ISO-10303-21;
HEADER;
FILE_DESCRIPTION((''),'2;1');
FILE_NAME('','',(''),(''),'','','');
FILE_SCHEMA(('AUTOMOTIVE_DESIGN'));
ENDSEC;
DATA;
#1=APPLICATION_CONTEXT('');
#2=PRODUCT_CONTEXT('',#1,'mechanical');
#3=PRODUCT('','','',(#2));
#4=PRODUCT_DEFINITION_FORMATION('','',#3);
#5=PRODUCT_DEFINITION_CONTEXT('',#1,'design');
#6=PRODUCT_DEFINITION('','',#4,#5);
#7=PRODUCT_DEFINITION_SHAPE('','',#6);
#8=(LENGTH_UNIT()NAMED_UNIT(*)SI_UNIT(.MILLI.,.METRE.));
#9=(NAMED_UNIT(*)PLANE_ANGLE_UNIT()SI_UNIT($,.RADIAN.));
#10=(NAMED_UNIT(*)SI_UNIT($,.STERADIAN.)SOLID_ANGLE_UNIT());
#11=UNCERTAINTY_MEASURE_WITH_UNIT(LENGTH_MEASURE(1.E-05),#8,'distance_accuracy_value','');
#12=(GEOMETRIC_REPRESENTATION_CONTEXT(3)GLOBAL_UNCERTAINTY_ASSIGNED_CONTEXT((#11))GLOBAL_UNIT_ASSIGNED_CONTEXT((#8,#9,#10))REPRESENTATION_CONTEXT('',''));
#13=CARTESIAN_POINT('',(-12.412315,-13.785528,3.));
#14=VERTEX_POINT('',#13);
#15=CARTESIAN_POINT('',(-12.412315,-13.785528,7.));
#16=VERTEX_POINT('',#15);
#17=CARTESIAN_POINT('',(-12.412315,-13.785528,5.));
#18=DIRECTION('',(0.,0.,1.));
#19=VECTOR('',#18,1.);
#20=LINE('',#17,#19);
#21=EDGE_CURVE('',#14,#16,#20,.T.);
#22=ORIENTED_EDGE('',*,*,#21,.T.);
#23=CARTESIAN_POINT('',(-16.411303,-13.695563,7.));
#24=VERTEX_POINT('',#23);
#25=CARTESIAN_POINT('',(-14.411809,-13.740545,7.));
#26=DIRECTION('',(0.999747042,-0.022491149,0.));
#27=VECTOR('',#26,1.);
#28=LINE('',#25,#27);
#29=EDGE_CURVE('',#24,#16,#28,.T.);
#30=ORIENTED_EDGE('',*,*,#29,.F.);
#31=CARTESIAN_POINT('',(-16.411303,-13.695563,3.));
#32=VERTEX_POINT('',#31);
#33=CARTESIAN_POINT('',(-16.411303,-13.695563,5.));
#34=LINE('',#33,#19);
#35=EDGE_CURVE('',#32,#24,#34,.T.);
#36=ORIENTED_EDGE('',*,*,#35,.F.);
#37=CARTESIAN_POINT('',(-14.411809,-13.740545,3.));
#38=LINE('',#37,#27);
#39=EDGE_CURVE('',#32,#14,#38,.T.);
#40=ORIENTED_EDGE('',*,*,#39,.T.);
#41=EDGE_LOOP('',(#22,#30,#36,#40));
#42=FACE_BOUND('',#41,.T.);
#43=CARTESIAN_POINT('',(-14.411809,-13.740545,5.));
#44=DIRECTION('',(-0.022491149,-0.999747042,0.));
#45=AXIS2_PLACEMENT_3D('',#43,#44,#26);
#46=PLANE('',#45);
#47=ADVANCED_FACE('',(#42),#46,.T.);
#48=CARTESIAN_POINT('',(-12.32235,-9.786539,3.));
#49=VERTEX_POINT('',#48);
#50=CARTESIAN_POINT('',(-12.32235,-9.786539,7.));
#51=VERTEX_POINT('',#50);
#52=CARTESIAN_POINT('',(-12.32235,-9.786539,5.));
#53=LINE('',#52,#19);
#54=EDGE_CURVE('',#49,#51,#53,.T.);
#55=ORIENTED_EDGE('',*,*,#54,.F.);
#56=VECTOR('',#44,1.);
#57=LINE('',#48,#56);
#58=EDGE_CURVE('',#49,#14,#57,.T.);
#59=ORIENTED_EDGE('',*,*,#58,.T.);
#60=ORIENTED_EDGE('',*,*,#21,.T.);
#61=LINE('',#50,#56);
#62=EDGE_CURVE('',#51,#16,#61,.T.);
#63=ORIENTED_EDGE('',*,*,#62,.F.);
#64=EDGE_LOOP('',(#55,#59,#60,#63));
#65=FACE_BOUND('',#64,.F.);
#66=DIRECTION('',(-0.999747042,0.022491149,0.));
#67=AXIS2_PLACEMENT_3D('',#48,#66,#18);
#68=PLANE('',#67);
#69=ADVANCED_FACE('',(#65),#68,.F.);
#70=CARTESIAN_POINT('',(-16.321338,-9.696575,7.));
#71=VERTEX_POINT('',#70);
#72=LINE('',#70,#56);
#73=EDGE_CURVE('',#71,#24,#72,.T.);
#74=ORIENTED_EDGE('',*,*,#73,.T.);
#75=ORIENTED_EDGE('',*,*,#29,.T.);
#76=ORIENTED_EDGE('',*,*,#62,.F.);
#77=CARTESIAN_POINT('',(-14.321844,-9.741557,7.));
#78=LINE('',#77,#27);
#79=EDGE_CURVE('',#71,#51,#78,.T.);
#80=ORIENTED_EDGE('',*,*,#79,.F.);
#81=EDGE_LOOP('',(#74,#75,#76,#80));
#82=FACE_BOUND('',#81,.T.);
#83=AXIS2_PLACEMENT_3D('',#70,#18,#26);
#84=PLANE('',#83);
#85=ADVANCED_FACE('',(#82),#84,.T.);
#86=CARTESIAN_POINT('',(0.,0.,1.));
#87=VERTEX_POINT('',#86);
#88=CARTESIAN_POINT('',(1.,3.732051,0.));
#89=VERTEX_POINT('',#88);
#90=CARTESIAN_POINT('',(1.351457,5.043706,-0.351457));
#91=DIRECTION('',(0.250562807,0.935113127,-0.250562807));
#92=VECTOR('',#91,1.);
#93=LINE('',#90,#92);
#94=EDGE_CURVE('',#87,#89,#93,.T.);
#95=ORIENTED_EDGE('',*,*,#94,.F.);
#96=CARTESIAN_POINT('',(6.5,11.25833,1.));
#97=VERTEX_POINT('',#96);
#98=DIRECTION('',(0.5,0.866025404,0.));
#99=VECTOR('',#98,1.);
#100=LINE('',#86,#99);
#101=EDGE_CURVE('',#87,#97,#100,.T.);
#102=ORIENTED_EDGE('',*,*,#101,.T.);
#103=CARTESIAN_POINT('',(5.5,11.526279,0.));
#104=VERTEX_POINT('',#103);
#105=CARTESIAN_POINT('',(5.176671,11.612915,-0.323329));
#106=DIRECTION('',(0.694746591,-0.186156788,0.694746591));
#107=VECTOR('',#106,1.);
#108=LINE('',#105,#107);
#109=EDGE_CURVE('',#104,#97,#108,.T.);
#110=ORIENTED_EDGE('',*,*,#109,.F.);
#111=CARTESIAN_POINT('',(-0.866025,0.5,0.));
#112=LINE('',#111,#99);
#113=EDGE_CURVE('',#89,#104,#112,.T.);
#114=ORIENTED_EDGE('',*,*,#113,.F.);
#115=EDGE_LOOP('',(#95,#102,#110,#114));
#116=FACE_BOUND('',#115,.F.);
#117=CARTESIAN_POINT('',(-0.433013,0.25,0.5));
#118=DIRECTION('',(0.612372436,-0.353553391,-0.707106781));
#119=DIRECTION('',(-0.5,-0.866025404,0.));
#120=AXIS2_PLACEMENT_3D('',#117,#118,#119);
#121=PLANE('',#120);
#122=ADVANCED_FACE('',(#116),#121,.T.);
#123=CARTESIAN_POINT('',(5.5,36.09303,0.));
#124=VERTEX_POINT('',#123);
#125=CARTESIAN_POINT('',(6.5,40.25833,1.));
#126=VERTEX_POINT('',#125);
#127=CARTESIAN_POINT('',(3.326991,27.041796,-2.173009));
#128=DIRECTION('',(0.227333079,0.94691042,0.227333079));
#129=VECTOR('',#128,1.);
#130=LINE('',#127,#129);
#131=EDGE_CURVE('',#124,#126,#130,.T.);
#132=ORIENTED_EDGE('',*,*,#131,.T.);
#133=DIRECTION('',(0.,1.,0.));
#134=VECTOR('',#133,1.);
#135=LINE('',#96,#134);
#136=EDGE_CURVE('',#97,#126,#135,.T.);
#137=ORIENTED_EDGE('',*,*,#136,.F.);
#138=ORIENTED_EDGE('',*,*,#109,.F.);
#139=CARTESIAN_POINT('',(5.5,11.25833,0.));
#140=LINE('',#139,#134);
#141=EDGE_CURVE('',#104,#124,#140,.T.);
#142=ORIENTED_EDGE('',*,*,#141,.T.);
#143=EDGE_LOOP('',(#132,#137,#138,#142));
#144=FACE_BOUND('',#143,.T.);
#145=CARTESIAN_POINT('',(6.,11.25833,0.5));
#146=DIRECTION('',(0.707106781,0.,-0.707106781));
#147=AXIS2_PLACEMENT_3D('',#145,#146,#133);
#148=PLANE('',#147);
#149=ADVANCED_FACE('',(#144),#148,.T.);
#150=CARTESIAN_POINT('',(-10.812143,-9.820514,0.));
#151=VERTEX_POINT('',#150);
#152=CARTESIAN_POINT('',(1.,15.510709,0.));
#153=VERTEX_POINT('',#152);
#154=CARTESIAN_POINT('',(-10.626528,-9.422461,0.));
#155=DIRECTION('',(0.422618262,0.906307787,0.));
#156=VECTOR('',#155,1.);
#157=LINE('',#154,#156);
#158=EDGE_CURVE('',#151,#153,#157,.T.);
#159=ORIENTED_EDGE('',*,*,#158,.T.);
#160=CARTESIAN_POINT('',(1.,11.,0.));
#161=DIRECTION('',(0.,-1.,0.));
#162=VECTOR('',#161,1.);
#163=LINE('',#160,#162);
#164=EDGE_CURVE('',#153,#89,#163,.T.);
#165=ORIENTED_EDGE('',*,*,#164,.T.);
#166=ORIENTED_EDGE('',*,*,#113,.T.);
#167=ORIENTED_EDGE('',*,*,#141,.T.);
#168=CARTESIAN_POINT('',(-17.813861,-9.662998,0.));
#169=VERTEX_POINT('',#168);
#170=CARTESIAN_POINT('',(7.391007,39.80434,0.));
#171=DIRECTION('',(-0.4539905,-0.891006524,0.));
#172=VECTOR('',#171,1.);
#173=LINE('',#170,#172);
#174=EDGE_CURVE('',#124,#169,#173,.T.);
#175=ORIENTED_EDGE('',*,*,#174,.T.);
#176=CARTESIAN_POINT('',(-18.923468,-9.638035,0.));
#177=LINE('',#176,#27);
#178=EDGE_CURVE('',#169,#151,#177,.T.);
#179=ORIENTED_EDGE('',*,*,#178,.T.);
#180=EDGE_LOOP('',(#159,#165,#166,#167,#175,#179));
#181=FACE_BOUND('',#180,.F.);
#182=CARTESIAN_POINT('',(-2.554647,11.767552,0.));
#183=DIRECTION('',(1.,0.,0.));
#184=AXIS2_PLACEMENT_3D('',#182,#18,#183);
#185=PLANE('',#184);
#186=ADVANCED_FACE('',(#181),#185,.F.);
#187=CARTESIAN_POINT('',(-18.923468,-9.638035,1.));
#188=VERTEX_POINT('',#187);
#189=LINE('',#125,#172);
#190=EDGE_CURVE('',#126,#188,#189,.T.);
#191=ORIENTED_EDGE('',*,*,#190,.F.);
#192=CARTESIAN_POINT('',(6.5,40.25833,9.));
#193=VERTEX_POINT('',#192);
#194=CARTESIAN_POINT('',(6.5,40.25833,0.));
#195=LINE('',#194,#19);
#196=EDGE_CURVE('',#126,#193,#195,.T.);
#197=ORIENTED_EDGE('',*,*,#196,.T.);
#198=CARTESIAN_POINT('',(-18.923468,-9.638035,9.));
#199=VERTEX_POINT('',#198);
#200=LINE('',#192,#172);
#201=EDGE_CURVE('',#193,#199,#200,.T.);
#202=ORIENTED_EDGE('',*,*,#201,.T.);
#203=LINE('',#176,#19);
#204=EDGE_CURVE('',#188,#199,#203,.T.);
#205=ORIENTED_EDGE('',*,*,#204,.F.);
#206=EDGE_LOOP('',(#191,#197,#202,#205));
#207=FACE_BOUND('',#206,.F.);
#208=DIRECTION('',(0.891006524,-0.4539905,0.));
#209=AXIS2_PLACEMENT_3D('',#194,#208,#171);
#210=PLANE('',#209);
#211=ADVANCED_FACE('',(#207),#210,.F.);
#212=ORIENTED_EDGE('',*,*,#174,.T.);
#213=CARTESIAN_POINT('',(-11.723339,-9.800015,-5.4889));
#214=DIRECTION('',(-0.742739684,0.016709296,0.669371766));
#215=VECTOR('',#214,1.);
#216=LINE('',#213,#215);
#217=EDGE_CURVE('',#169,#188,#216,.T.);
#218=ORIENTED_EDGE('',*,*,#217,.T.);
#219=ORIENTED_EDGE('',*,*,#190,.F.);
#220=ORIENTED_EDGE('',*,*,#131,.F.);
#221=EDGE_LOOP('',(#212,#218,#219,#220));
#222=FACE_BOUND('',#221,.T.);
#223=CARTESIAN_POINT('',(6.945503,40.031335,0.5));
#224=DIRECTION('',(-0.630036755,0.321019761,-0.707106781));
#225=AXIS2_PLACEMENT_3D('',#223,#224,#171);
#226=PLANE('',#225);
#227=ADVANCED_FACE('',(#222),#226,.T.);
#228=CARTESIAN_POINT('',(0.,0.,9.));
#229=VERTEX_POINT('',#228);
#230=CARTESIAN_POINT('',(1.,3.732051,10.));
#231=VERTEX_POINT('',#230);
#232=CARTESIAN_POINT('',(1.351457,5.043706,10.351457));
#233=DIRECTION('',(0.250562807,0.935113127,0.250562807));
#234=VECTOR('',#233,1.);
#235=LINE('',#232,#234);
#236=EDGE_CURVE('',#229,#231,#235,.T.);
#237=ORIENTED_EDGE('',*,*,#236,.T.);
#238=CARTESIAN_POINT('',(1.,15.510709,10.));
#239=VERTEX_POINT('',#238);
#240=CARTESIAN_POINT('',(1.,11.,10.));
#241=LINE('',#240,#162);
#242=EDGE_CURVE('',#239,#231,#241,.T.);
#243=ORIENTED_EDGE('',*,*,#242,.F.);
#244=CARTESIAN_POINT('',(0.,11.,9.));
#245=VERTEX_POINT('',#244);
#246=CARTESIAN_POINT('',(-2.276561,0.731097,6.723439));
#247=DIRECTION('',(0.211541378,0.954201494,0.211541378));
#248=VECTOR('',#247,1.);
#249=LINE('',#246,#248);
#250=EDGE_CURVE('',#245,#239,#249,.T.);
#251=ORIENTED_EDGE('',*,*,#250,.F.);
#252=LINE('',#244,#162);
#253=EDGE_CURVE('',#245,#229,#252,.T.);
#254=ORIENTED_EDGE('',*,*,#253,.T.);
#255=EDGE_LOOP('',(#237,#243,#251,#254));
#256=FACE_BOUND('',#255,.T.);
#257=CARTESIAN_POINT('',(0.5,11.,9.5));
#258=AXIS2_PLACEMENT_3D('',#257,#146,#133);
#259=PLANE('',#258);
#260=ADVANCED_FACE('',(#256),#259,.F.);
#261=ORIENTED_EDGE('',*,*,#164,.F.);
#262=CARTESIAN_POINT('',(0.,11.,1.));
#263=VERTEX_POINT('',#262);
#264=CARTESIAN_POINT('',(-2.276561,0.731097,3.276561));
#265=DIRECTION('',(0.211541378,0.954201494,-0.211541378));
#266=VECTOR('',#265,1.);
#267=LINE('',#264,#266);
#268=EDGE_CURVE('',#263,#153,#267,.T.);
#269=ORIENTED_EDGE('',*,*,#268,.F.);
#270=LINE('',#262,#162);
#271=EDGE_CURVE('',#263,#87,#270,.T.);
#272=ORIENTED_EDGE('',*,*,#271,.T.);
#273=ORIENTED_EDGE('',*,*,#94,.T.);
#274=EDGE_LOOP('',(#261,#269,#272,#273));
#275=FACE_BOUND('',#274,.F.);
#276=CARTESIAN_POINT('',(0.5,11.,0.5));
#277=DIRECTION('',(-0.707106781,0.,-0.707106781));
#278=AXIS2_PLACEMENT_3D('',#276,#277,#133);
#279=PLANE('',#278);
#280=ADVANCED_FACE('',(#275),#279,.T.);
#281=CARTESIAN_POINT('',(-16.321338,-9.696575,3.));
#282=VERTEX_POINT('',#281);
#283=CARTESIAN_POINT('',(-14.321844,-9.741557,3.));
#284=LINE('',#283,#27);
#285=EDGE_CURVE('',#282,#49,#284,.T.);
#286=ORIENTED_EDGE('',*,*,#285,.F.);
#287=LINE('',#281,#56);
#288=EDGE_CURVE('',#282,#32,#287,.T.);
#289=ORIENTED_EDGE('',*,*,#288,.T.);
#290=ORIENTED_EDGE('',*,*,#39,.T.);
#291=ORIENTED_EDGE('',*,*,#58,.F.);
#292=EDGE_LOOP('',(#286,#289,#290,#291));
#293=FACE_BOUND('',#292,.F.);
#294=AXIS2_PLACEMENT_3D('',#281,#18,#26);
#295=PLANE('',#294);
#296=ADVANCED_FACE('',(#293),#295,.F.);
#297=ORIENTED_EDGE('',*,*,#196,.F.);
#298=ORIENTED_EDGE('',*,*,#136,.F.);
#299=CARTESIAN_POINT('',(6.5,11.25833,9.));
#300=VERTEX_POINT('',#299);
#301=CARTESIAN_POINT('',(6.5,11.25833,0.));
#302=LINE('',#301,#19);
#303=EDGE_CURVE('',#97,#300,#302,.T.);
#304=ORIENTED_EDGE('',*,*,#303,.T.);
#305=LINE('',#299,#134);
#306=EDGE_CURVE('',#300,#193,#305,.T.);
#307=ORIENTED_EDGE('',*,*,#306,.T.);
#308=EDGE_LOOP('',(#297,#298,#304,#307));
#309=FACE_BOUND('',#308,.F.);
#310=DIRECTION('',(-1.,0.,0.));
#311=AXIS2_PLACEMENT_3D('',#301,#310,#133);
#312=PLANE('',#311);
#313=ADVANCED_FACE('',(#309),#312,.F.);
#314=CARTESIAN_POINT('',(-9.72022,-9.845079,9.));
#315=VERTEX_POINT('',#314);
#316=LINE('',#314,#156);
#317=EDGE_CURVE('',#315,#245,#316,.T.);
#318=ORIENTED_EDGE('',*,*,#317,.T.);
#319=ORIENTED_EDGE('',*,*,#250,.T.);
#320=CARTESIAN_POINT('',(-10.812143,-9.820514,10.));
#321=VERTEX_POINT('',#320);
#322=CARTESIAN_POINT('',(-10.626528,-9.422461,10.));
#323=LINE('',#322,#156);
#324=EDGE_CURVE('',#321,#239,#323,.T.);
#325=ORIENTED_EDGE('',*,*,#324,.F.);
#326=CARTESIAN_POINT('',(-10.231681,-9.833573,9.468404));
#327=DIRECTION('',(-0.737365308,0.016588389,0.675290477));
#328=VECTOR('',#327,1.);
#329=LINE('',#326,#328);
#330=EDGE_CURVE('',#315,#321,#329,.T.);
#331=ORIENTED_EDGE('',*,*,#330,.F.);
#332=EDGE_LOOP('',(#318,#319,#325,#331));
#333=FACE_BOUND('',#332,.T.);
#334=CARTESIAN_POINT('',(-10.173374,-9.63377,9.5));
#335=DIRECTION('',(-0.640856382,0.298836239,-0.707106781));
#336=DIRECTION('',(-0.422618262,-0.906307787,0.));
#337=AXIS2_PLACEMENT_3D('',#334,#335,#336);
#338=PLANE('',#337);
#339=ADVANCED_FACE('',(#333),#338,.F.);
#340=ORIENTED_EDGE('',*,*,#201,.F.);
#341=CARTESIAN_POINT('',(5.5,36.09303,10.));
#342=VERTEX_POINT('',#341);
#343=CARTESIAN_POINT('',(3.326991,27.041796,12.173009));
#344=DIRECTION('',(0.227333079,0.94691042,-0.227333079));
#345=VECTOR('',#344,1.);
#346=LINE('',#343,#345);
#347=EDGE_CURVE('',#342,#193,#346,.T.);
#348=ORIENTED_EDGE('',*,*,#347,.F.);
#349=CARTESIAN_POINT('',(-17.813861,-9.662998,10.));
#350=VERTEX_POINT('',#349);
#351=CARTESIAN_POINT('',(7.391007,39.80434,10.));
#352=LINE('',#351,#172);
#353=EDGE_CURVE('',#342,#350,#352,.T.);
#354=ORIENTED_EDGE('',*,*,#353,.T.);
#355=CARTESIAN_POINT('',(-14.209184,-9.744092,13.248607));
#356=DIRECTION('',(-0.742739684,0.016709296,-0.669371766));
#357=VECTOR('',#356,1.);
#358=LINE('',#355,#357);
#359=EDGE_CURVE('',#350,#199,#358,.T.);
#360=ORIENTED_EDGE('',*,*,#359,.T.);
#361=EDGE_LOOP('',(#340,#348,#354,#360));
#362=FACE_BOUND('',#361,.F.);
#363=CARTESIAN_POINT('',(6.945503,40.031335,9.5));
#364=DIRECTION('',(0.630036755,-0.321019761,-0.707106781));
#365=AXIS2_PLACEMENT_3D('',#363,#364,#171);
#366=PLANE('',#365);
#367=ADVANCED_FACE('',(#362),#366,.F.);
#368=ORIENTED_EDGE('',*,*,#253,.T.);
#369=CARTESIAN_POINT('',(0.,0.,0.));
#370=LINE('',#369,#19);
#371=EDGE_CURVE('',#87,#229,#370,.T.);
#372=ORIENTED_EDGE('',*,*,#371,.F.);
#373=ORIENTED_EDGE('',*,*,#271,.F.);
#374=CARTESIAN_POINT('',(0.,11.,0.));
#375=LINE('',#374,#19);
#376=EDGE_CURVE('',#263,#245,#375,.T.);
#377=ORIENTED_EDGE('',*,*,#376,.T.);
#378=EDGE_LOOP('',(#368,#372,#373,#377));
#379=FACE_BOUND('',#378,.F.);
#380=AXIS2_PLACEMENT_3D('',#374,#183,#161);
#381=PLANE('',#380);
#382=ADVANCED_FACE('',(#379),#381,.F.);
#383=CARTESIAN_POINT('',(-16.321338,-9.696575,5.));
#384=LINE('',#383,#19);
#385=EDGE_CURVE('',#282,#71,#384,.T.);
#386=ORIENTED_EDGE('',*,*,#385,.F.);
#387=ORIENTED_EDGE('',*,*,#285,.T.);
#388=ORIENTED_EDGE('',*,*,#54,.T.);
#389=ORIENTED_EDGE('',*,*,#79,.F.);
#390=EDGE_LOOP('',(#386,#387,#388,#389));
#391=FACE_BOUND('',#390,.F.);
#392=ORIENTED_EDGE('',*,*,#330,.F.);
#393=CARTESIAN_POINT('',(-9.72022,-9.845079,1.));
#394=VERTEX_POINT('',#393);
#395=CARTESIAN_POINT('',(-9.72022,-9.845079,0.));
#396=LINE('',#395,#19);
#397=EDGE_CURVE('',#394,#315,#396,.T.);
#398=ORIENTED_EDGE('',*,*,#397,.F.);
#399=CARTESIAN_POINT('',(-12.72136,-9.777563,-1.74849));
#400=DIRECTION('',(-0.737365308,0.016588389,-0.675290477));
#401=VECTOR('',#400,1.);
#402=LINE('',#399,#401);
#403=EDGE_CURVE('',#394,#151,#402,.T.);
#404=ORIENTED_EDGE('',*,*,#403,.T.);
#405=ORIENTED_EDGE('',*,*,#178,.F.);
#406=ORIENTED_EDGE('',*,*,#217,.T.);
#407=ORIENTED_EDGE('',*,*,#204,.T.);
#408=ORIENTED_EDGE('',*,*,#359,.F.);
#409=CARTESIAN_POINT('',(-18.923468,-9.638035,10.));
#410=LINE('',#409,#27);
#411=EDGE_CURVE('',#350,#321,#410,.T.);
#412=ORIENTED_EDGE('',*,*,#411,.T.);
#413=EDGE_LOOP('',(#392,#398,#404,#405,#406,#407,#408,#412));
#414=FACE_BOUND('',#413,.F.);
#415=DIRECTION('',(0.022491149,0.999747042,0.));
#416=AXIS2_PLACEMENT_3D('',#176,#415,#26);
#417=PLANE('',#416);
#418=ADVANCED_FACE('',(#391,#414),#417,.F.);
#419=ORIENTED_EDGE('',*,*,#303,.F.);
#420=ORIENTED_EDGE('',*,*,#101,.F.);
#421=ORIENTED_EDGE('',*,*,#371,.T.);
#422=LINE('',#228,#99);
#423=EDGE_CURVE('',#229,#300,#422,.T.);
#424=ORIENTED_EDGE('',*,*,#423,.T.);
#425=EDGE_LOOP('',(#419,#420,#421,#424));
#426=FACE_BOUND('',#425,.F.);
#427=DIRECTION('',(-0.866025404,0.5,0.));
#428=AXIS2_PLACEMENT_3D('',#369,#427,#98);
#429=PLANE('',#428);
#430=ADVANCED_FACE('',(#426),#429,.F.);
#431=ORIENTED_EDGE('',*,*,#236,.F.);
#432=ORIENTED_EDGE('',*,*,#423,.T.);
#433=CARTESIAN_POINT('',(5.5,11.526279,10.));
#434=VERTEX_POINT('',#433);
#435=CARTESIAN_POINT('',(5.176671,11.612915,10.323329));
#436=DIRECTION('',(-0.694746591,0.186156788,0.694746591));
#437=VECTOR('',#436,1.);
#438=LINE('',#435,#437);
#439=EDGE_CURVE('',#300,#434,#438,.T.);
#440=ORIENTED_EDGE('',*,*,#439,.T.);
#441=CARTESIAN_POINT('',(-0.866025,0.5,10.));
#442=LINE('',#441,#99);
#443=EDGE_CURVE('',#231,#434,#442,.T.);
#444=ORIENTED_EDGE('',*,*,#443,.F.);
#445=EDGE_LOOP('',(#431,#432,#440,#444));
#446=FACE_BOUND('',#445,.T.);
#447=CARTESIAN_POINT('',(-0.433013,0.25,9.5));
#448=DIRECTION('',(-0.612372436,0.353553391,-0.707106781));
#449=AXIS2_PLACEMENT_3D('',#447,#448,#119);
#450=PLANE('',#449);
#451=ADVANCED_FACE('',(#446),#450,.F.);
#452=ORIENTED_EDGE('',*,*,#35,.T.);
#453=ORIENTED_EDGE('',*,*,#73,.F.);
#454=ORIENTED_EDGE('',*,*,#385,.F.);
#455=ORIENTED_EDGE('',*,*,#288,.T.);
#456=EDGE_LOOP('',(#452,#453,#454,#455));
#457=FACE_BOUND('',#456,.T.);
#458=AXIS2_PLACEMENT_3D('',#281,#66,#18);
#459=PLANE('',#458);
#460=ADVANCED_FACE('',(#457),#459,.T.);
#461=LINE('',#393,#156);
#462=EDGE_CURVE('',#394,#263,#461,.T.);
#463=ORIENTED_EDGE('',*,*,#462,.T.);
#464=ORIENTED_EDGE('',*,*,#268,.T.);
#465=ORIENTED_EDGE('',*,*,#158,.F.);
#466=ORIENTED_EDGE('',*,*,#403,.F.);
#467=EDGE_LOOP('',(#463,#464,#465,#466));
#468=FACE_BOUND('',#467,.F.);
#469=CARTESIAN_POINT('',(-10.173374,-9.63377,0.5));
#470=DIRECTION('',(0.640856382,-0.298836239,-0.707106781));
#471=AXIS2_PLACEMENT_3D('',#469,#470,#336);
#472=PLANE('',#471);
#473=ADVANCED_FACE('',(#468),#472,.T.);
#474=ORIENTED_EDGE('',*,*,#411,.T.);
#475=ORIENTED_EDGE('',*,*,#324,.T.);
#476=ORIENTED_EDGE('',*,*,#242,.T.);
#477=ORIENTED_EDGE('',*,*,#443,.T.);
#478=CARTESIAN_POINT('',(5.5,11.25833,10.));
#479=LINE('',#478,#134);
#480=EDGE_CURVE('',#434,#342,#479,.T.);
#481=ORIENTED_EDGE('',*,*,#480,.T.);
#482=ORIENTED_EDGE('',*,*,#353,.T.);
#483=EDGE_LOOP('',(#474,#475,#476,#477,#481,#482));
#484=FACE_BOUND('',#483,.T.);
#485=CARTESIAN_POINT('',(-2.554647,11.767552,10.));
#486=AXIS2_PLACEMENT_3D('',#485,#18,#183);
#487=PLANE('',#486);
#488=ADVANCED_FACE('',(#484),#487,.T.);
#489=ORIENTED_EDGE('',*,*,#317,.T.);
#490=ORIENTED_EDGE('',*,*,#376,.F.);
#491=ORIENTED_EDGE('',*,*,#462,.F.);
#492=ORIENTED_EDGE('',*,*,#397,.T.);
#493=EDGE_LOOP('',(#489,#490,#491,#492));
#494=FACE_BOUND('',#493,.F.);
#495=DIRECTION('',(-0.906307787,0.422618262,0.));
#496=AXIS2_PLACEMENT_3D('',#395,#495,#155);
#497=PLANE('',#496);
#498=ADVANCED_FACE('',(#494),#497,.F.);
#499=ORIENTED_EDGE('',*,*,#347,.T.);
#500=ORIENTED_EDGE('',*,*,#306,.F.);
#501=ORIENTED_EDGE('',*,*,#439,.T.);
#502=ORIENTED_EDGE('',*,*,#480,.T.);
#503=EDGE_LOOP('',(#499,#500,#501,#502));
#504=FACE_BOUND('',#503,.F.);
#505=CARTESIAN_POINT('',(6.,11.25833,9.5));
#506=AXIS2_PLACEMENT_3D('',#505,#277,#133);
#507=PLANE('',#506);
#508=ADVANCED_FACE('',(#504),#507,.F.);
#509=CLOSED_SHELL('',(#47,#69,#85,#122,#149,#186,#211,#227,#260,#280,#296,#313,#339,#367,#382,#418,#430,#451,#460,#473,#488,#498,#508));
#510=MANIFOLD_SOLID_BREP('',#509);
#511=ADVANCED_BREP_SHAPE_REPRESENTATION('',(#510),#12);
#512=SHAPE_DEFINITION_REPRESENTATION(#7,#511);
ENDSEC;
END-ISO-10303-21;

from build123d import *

# Parameters (mm, degrees)
F1_DEPTH = 10
F2_W     = 4
F2_H     = 4
F3_DEPTH = 4
F4_SIZE  = 1


with BuildPart() as f1:
    # F0 (on Top) → F1 (new body)
    with BuildSketch(Plane.XY):
        Polygon((0, 11), (0, 0), (6.5, 11.2583302492), (6.5, 40.2583302492), (-18.9234679854, -9.6380351054), (-9.72022002, -9.8450791018), align=None)
    extrude(amount=F1_DEPTH)

    # F2 (on face) → F3 (join)
    with BuildSketch(Plane(origin=(-0.2262881219, -10.0586625682, 0), x_dir=(0.9997470421, -0.0224911492, 0), z_dir=(-0.0224911492, -0.9997470421, 0))):
        with Locations((-14.0991223651, 5)):
            Rectangle(F2_W, F2_H)
    extrude(amount=F3_DEPTH)

    # F4
    f4_edges = [f1.edges().sort_by_distance(p)[0] for p in [
        (-4.86011, 0.57746, 10),
        (0, 5.5, 10),
        (3.25, 5.629165, 10),
        (6.5, 25.75833, 10),
        (-6.211734, 15.310148, 10),
        (6.5, 25.75833, 0),
        (-6.211734, 15.310148, 0),
        (3.25, 5.629165, 0),
        (0, 5.5, 0),
        (-4.86011, 0.57746, 0),
    ]]
    chamfer(f4_edges, length=F4_SIZE)


solid = f1.part
